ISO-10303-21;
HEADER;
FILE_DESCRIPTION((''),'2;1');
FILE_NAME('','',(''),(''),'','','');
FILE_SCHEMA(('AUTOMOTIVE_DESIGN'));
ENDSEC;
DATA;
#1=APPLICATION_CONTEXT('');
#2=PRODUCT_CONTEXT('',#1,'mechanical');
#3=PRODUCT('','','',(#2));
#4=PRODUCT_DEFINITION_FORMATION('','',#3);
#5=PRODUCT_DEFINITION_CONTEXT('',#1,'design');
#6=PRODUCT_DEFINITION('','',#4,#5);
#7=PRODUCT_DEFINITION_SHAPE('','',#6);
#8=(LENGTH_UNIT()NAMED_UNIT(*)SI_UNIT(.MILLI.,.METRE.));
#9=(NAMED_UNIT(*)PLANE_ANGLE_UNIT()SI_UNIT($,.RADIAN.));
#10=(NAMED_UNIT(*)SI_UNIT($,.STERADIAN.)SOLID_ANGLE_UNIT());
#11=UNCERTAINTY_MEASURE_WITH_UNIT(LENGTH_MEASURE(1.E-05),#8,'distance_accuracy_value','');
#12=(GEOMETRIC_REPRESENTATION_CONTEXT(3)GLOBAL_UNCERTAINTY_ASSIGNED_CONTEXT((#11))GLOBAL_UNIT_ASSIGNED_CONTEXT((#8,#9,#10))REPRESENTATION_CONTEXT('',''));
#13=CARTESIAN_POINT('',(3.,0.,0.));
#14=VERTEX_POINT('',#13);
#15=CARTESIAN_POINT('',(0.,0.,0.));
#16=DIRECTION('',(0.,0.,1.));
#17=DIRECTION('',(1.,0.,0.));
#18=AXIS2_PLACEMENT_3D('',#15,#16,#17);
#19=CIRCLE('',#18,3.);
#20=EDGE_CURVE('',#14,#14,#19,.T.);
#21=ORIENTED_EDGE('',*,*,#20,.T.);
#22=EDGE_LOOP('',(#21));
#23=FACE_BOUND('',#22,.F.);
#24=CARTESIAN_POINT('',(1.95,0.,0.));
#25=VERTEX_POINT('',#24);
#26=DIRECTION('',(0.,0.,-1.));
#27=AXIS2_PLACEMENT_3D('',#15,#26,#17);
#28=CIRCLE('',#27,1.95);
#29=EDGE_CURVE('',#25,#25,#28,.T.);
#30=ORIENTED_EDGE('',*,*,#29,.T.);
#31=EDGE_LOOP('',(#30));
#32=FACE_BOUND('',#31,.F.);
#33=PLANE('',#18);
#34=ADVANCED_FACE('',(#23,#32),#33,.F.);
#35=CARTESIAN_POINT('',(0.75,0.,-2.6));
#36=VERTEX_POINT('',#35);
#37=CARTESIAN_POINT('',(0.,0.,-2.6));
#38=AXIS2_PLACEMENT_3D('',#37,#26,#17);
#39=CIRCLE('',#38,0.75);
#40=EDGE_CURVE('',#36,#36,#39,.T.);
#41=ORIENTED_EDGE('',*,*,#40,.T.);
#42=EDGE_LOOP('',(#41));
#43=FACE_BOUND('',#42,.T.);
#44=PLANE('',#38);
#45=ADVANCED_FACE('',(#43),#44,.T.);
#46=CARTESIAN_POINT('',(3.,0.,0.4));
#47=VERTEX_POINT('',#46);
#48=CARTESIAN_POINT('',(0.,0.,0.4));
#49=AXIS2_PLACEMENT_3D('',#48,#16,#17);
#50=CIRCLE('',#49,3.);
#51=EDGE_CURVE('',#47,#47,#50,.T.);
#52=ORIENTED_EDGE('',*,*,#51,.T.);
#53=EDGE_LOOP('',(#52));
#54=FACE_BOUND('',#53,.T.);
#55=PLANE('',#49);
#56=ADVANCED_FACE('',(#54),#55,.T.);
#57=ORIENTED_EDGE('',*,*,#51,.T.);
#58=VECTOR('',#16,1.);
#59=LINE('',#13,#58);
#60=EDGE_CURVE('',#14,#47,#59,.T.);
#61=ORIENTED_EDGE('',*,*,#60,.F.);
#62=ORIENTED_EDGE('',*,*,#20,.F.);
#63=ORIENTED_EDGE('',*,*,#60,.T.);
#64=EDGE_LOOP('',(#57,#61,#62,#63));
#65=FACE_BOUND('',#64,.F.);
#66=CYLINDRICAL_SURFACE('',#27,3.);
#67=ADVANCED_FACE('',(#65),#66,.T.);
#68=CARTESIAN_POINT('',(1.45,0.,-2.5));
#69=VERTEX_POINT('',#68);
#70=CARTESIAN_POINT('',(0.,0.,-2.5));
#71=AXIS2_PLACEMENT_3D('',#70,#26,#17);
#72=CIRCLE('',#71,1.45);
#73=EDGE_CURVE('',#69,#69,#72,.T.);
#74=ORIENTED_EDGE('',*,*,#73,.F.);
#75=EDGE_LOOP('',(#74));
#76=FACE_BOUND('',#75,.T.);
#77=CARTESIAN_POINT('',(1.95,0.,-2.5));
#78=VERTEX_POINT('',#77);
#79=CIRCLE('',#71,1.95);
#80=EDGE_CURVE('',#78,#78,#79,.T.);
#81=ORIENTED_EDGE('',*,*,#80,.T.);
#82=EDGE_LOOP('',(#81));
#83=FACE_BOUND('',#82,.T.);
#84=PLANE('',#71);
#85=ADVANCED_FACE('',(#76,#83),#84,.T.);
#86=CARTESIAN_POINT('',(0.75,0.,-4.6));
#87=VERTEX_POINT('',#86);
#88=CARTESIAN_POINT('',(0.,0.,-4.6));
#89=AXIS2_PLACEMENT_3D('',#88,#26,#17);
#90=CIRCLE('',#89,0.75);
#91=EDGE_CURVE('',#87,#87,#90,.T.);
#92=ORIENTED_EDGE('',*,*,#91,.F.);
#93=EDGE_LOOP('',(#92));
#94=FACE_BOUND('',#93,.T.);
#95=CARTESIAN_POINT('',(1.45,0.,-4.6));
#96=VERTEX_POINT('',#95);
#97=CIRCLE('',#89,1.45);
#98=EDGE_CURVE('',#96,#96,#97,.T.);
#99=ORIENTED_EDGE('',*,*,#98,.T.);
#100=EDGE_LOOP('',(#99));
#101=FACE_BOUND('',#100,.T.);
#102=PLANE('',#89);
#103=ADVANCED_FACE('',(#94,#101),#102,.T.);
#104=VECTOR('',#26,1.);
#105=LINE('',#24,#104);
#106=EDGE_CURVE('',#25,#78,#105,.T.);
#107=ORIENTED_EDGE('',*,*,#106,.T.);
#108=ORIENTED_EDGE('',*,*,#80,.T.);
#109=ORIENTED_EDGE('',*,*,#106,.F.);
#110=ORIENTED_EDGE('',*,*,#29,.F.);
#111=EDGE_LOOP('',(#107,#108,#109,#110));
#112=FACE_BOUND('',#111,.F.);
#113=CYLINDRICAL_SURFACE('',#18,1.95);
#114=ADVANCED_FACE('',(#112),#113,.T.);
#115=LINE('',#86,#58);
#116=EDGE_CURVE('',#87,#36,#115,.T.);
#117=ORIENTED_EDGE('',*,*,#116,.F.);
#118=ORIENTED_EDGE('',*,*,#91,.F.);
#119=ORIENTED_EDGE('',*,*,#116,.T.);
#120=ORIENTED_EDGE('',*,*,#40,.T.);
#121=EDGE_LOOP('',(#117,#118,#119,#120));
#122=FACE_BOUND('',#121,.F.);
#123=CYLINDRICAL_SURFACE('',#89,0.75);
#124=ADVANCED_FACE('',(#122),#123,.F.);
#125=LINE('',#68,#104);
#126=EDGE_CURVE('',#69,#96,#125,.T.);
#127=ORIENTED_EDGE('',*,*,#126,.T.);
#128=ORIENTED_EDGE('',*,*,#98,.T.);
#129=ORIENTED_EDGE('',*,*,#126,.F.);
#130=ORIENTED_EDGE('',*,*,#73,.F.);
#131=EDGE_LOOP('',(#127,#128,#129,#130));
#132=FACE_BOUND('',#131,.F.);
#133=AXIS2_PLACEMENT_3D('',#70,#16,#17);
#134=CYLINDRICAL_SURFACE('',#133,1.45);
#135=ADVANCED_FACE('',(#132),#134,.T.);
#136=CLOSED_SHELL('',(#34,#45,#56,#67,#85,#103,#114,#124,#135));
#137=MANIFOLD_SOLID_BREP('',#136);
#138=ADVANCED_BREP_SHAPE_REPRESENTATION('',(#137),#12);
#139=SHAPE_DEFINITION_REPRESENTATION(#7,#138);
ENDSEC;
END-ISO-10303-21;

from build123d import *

# Parameters (mm, degrees)
F0_R     = 3
F1_DEPTH = 0.4
F2_R     = 1.95
F3_DEPTH = 2.5
F4_R     = 1.45
F5_DEPTH = 2.1
F6_R     = 0.75
F7_DEPTH = 2


with BuildPart() as f1:
    # F0 (on Top) → F1 (new body)
    with BuildSketch(Plane.XY):
        Circle(F0_R)
    extrude(amount=F1_DEPTH)

    # F2 (on face) → F3 (join)
    with BuildSketch(Plane(origin=(0, 0, 0), x_dir=(1, 0, 0), z_dir=(0, 0, -1))):
        Circle(F2_R)
    extrude(amount=F3_DEPTH)

    # F4 (on face) → F5 (join)
    with BuildSketch(Plane(origin=(0, 0, -2.5), x_dir=(1, 0, 0), z_dir=(0, 0, -1))):
        Circle(F4_R)
    extrude(amount=F5_DEPTH)

    # F6 (on face) → F7 (cut)
    with BuildSketch(Plane(origin=(0, 0, -4.6), x_dir=(1, 0, 0), z_dir=(0, 0, -1))):
        Circle(F6_R)
    extrude(amount=-F7_DEPTH, mode=Mode.SUBTRACT)


solid = f1.part
